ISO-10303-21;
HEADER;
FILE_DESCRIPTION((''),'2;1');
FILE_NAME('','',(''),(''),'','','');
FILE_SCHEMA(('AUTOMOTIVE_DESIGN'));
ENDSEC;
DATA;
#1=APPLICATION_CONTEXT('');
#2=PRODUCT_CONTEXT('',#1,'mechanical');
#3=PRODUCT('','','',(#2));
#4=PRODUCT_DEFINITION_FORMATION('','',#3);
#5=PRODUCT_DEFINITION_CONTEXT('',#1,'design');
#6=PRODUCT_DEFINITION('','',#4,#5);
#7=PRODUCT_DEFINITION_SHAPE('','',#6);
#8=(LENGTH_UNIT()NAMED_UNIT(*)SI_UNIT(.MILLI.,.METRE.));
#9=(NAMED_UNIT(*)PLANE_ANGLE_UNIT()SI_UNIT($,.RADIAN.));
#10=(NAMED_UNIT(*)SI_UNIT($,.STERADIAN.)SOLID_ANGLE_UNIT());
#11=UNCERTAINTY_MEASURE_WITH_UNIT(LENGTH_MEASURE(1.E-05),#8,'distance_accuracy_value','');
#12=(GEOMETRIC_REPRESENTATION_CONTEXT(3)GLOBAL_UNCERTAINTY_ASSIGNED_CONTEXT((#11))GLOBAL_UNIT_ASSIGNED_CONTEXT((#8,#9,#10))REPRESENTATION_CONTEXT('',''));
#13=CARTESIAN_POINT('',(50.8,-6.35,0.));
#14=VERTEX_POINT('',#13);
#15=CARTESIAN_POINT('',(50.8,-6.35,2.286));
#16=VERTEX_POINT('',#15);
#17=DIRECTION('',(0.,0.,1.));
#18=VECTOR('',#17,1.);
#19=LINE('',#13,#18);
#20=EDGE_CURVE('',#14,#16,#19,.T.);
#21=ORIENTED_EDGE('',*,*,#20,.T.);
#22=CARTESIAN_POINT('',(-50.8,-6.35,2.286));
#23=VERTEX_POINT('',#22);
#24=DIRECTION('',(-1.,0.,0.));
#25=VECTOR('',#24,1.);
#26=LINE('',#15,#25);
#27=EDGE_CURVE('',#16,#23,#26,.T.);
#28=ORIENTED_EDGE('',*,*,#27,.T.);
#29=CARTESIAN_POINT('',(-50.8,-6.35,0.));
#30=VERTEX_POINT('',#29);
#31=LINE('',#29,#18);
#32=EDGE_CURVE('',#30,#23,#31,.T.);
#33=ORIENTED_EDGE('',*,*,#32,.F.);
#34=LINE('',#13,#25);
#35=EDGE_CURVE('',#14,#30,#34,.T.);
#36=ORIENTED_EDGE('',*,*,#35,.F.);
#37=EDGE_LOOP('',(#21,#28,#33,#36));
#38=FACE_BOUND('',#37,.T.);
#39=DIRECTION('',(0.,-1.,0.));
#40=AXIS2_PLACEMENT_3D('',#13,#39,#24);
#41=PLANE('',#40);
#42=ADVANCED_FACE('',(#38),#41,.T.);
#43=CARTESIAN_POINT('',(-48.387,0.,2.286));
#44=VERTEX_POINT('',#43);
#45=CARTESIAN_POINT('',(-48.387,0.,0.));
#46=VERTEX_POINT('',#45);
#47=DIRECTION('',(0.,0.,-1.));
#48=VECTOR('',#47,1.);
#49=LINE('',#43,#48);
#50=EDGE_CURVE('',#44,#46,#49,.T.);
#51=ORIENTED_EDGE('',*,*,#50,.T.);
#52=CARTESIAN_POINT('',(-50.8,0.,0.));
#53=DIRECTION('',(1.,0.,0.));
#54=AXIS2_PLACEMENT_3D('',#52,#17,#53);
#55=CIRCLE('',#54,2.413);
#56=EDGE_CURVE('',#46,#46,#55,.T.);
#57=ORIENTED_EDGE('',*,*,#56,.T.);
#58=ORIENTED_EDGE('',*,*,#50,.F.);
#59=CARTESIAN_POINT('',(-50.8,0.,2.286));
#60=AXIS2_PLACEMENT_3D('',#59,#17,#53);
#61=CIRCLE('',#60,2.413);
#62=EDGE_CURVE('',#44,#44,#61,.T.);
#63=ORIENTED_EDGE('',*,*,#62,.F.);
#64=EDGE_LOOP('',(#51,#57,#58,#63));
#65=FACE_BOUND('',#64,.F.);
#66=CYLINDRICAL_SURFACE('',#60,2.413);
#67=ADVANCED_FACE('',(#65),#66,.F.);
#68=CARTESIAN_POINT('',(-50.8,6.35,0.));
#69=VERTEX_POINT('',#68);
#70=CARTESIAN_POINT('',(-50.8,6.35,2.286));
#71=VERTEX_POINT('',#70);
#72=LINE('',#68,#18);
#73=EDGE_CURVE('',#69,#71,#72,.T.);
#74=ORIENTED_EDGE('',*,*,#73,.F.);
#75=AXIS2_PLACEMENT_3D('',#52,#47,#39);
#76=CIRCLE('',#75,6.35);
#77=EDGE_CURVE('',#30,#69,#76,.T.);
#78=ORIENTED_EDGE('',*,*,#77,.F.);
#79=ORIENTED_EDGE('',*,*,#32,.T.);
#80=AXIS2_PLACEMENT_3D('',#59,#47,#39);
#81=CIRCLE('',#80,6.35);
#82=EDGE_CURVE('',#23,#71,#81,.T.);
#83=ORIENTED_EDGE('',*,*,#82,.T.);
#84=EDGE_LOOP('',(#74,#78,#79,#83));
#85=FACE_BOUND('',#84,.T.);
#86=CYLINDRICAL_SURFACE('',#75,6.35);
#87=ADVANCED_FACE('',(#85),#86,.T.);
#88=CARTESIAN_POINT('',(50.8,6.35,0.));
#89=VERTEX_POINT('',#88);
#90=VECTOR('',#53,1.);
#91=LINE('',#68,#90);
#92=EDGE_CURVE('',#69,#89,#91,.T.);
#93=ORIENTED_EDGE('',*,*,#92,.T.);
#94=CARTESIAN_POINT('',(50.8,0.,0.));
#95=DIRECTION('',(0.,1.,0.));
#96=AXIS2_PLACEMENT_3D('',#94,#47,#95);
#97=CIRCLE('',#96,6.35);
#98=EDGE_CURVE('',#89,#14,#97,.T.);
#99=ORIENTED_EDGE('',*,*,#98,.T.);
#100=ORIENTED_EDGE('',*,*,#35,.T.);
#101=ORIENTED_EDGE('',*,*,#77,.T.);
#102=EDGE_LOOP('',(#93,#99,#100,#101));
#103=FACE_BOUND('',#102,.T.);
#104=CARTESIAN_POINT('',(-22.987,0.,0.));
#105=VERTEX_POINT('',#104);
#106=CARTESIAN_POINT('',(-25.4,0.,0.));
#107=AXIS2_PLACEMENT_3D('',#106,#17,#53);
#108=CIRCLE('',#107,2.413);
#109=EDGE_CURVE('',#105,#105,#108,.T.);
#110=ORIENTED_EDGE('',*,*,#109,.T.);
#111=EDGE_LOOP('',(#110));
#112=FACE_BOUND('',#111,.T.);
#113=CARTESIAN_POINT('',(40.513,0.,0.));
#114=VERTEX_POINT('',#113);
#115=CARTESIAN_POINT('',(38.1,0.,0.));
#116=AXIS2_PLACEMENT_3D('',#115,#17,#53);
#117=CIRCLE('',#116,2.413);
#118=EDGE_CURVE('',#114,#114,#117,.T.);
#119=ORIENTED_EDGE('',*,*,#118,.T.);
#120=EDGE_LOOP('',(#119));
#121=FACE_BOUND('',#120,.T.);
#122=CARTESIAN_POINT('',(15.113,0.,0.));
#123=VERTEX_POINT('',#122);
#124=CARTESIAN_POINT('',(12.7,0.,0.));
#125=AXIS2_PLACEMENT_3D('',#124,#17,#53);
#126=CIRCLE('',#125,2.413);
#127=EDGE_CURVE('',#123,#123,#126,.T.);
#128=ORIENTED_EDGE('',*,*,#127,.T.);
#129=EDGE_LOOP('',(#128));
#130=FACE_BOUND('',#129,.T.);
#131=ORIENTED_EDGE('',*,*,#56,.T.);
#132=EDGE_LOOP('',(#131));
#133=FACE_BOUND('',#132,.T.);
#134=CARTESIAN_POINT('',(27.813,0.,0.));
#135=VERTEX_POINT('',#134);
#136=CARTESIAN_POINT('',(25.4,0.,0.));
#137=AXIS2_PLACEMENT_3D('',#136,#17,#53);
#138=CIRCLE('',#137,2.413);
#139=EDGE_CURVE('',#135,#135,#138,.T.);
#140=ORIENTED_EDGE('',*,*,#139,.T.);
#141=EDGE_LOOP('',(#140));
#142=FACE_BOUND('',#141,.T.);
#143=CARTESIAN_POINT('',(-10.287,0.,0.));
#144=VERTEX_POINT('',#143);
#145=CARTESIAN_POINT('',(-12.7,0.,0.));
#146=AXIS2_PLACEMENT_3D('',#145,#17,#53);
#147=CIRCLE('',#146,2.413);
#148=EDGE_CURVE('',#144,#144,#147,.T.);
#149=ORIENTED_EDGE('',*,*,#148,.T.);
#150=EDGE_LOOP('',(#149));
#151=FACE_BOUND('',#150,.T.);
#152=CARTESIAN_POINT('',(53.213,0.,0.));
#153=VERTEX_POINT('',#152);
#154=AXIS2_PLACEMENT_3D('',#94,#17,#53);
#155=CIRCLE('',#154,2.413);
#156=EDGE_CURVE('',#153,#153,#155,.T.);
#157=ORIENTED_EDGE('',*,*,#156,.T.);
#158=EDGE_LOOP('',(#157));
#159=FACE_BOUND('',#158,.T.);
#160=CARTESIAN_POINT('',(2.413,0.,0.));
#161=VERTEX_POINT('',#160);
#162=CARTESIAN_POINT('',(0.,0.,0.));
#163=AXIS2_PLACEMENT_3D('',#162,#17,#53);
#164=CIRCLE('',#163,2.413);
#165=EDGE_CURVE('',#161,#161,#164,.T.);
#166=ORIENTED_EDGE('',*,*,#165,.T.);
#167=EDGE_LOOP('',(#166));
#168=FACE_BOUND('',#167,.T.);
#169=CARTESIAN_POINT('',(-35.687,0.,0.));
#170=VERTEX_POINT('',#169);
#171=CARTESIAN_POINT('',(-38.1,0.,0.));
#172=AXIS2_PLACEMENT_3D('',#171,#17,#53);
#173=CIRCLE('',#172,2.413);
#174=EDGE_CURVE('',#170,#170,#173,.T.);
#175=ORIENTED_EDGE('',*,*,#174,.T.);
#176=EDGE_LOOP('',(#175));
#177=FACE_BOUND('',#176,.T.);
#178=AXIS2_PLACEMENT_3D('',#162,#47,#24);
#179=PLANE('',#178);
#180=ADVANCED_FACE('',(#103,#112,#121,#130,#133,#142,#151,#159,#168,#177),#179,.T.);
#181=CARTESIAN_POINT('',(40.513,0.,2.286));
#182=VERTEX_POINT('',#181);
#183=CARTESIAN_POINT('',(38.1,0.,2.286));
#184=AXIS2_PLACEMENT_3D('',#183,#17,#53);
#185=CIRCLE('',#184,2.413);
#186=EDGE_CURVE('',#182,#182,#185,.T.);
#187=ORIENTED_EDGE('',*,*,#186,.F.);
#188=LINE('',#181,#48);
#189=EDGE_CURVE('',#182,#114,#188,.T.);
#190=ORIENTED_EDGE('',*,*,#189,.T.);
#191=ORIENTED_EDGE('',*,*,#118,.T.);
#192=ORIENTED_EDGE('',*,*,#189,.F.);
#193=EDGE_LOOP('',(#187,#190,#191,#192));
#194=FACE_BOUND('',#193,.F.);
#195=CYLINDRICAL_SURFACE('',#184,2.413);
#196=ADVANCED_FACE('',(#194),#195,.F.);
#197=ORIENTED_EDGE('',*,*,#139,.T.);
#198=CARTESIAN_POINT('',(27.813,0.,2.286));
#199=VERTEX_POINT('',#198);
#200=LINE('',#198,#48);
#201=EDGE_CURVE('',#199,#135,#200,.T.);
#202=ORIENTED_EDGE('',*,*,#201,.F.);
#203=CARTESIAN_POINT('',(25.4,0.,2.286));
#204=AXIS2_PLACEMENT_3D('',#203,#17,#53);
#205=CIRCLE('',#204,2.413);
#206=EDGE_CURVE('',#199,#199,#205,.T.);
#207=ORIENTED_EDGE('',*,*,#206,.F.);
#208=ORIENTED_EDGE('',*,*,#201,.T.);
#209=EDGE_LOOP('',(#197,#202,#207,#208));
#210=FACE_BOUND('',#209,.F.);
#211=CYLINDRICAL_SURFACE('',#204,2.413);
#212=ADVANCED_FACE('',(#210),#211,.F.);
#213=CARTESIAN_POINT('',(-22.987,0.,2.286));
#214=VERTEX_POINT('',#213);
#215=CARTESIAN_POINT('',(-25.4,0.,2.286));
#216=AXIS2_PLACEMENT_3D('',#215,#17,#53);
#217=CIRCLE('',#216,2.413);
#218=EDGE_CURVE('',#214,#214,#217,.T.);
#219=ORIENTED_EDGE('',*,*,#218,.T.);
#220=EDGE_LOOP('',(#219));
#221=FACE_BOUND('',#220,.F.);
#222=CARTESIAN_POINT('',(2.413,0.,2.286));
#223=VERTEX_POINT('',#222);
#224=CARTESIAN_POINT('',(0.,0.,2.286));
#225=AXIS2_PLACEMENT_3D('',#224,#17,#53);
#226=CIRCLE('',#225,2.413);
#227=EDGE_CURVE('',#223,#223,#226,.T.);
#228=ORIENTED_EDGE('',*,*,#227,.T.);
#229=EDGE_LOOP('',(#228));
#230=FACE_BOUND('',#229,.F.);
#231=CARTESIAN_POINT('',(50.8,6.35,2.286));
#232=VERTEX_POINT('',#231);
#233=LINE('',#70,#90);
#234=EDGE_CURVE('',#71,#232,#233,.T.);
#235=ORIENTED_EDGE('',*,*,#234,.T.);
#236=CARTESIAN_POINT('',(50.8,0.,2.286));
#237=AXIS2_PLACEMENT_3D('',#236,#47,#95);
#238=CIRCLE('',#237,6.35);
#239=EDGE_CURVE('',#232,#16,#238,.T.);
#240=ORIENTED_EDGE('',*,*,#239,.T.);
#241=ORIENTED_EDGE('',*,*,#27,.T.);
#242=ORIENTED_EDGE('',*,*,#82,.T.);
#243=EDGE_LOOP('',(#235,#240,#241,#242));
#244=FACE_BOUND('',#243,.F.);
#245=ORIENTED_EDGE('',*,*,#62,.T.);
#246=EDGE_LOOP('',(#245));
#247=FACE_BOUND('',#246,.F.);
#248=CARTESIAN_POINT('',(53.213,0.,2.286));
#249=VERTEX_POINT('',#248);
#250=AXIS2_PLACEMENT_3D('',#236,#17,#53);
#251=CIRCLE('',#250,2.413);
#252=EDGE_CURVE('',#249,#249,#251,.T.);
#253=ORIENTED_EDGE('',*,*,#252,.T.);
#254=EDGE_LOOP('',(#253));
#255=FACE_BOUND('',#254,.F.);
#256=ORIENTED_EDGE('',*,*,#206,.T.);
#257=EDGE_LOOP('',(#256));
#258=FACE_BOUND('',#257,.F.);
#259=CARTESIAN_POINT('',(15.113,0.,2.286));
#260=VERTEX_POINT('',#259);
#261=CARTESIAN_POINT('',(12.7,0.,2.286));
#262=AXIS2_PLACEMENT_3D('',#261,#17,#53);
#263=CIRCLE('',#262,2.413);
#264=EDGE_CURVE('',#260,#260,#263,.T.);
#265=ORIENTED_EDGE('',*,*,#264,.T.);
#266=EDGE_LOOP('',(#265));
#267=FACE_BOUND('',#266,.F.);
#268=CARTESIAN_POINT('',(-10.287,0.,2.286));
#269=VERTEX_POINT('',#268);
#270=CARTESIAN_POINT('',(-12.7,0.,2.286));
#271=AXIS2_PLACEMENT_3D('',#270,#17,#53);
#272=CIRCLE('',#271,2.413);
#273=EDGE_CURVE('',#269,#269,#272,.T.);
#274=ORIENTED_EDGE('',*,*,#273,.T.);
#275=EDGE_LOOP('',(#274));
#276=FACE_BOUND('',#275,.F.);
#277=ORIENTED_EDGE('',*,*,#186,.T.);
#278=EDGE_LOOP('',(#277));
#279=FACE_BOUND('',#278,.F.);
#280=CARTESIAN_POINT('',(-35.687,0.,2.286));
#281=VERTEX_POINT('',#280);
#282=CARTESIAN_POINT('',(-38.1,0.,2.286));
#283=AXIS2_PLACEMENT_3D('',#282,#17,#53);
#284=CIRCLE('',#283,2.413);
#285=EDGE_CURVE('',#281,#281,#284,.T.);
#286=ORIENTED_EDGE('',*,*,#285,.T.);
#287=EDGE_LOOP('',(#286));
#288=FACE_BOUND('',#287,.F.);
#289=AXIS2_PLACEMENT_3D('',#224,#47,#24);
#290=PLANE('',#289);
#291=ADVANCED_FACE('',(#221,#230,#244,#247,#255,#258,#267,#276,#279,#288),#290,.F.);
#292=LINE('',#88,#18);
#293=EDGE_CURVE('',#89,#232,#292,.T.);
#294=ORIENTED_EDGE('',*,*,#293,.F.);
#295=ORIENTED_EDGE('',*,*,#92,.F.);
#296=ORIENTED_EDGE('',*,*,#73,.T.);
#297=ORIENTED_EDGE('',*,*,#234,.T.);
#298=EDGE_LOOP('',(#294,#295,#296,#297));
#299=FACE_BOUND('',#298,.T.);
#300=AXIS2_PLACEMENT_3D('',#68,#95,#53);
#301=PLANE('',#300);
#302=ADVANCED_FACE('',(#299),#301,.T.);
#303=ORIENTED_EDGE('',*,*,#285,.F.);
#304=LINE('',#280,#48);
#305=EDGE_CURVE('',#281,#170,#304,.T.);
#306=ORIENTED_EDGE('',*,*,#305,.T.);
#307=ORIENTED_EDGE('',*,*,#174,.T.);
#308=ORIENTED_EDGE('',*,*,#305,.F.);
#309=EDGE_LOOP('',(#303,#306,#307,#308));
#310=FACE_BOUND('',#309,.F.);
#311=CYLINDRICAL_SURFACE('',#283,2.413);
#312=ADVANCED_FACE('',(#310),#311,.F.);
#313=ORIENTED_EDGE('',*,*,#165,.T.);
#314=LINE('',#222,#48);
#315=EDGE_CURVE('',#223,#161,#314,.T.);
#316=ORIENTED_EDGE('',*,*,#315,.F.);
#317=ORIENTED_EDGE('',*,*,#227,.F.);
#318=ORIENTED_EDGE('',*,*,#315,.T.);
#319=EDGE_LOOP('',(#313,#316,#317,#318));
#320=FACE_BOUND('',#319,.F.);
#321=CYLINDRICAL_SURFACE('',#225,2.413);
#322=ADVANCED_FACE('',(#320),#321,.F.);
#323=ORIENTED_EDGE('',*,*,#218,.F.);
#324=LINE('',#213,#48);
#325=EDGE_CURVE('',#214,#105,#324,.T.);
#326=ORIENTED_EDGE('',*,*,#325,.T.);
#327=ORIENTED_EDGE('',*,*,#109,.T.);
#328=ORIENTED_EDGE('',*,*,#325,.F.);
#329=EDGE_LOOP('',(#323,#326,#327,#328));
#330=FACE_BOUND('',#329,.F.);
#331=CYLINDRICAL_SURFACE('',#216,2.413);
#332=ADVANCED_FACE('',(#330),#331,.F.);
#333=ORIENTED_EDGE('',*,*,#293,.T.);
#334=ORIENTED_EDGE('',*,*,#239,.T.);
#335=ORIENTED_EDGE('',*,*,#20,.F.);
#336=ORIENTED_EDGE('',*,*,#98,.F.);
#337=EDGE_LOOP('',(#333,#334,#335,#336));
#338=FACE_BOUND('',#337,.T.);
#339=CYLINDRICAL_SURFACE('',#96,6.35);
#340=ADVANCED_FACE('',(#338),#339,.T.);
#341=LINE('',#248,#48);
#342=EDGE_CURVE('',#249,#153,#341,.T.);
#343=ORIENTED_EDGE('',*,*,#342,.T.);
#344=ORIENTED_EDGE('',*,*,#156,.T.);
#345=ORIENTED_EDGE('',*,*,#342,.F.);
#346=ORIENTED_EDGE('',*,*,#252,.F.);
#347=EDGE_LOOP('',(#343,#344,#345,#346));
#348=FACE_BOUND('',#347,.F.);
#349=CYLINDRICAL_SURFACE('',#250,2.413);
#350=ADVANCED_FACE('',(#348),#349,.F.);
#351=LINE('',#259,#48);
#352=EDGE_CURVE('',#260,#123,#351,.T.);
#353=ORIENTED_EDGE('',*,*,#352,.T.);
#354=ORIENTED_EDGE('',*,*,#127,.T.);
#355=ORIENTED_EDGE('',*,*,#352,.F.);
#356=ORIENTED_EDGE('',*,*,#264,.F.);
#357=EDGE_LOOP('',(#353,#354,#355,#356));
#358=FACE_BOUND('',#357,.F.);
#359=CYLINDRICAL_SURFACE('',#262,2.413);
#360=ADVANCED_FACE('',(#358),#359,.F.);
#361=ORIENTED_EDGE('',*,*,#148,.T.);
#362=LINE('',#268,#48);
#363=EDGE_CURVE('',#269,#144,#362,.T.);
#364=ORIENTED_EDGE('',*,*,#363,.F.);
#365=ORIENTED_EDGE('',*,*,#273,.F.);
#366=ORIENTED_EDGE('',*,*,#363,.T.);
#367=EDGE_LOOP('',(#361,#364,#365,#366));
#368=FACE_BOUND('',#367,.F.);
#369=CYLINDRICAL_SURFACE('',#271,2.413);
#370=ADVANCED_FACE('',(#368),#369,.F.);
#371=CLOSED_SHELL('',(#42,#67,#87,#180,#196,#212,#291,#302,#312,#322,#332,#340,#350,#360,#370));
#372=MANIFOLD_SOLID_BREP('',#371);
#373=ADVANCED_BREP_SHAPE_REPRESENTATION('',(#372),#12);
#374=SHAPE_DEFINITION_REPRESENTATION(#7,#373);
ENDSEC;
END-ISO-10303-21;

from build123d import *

# Parameters (mm, degrees)
BOSS_EXTRUDE1_DEPTH = 2.286
SKETCH2_R           = 2.413
CUT_EXTRUDE1_DEPTH  = 3.286
LPATTERN1_COUNT     = 9
LPATTERN1_PITCH     = 12.7


with BuildPart() as part:
    # Sketch1 → Boss-Extrude1 (new body)
    with BuildSketch(Plane.XY):
        with BuildLine():
            Line((-50.8, 6.35), (50.8, 6.35))
            ThreePointArc((50.8, 6.35), (57.15, 0), (50.8, -6.35))
            Line((50.8, -6.35), (-50.8, -6.35))
            ThreePointArc((-50.8, -6.35), (-57.15, 0), (-50.8, 6.35))
        make_face()
    extrude(amount=BOSS_EXTRUDE1_DEPTH)

    # Sketch2 → Cut-Extrude1 (cut, through all)
    with BuildSketch(Plane.XY.offset(2.286)):
        with Locations((-50.8, 0)):
            Circle(SKETCH2_R)
    cut_extrude1 = extrude(amount=-CUT_EXTRUDE1_DEPTH, mode=Mode.SUBTRACT)

    # LPattern1: Cut-Extrude1 ×9
    with Locations(*[(i * LPATTERN1_PITCH, 0, 0) for i in range(1, LPATTERN1_COUNT)]):
        add(cut_extrude1, mode=Mode.SUBTRACT)


solid = part.part
